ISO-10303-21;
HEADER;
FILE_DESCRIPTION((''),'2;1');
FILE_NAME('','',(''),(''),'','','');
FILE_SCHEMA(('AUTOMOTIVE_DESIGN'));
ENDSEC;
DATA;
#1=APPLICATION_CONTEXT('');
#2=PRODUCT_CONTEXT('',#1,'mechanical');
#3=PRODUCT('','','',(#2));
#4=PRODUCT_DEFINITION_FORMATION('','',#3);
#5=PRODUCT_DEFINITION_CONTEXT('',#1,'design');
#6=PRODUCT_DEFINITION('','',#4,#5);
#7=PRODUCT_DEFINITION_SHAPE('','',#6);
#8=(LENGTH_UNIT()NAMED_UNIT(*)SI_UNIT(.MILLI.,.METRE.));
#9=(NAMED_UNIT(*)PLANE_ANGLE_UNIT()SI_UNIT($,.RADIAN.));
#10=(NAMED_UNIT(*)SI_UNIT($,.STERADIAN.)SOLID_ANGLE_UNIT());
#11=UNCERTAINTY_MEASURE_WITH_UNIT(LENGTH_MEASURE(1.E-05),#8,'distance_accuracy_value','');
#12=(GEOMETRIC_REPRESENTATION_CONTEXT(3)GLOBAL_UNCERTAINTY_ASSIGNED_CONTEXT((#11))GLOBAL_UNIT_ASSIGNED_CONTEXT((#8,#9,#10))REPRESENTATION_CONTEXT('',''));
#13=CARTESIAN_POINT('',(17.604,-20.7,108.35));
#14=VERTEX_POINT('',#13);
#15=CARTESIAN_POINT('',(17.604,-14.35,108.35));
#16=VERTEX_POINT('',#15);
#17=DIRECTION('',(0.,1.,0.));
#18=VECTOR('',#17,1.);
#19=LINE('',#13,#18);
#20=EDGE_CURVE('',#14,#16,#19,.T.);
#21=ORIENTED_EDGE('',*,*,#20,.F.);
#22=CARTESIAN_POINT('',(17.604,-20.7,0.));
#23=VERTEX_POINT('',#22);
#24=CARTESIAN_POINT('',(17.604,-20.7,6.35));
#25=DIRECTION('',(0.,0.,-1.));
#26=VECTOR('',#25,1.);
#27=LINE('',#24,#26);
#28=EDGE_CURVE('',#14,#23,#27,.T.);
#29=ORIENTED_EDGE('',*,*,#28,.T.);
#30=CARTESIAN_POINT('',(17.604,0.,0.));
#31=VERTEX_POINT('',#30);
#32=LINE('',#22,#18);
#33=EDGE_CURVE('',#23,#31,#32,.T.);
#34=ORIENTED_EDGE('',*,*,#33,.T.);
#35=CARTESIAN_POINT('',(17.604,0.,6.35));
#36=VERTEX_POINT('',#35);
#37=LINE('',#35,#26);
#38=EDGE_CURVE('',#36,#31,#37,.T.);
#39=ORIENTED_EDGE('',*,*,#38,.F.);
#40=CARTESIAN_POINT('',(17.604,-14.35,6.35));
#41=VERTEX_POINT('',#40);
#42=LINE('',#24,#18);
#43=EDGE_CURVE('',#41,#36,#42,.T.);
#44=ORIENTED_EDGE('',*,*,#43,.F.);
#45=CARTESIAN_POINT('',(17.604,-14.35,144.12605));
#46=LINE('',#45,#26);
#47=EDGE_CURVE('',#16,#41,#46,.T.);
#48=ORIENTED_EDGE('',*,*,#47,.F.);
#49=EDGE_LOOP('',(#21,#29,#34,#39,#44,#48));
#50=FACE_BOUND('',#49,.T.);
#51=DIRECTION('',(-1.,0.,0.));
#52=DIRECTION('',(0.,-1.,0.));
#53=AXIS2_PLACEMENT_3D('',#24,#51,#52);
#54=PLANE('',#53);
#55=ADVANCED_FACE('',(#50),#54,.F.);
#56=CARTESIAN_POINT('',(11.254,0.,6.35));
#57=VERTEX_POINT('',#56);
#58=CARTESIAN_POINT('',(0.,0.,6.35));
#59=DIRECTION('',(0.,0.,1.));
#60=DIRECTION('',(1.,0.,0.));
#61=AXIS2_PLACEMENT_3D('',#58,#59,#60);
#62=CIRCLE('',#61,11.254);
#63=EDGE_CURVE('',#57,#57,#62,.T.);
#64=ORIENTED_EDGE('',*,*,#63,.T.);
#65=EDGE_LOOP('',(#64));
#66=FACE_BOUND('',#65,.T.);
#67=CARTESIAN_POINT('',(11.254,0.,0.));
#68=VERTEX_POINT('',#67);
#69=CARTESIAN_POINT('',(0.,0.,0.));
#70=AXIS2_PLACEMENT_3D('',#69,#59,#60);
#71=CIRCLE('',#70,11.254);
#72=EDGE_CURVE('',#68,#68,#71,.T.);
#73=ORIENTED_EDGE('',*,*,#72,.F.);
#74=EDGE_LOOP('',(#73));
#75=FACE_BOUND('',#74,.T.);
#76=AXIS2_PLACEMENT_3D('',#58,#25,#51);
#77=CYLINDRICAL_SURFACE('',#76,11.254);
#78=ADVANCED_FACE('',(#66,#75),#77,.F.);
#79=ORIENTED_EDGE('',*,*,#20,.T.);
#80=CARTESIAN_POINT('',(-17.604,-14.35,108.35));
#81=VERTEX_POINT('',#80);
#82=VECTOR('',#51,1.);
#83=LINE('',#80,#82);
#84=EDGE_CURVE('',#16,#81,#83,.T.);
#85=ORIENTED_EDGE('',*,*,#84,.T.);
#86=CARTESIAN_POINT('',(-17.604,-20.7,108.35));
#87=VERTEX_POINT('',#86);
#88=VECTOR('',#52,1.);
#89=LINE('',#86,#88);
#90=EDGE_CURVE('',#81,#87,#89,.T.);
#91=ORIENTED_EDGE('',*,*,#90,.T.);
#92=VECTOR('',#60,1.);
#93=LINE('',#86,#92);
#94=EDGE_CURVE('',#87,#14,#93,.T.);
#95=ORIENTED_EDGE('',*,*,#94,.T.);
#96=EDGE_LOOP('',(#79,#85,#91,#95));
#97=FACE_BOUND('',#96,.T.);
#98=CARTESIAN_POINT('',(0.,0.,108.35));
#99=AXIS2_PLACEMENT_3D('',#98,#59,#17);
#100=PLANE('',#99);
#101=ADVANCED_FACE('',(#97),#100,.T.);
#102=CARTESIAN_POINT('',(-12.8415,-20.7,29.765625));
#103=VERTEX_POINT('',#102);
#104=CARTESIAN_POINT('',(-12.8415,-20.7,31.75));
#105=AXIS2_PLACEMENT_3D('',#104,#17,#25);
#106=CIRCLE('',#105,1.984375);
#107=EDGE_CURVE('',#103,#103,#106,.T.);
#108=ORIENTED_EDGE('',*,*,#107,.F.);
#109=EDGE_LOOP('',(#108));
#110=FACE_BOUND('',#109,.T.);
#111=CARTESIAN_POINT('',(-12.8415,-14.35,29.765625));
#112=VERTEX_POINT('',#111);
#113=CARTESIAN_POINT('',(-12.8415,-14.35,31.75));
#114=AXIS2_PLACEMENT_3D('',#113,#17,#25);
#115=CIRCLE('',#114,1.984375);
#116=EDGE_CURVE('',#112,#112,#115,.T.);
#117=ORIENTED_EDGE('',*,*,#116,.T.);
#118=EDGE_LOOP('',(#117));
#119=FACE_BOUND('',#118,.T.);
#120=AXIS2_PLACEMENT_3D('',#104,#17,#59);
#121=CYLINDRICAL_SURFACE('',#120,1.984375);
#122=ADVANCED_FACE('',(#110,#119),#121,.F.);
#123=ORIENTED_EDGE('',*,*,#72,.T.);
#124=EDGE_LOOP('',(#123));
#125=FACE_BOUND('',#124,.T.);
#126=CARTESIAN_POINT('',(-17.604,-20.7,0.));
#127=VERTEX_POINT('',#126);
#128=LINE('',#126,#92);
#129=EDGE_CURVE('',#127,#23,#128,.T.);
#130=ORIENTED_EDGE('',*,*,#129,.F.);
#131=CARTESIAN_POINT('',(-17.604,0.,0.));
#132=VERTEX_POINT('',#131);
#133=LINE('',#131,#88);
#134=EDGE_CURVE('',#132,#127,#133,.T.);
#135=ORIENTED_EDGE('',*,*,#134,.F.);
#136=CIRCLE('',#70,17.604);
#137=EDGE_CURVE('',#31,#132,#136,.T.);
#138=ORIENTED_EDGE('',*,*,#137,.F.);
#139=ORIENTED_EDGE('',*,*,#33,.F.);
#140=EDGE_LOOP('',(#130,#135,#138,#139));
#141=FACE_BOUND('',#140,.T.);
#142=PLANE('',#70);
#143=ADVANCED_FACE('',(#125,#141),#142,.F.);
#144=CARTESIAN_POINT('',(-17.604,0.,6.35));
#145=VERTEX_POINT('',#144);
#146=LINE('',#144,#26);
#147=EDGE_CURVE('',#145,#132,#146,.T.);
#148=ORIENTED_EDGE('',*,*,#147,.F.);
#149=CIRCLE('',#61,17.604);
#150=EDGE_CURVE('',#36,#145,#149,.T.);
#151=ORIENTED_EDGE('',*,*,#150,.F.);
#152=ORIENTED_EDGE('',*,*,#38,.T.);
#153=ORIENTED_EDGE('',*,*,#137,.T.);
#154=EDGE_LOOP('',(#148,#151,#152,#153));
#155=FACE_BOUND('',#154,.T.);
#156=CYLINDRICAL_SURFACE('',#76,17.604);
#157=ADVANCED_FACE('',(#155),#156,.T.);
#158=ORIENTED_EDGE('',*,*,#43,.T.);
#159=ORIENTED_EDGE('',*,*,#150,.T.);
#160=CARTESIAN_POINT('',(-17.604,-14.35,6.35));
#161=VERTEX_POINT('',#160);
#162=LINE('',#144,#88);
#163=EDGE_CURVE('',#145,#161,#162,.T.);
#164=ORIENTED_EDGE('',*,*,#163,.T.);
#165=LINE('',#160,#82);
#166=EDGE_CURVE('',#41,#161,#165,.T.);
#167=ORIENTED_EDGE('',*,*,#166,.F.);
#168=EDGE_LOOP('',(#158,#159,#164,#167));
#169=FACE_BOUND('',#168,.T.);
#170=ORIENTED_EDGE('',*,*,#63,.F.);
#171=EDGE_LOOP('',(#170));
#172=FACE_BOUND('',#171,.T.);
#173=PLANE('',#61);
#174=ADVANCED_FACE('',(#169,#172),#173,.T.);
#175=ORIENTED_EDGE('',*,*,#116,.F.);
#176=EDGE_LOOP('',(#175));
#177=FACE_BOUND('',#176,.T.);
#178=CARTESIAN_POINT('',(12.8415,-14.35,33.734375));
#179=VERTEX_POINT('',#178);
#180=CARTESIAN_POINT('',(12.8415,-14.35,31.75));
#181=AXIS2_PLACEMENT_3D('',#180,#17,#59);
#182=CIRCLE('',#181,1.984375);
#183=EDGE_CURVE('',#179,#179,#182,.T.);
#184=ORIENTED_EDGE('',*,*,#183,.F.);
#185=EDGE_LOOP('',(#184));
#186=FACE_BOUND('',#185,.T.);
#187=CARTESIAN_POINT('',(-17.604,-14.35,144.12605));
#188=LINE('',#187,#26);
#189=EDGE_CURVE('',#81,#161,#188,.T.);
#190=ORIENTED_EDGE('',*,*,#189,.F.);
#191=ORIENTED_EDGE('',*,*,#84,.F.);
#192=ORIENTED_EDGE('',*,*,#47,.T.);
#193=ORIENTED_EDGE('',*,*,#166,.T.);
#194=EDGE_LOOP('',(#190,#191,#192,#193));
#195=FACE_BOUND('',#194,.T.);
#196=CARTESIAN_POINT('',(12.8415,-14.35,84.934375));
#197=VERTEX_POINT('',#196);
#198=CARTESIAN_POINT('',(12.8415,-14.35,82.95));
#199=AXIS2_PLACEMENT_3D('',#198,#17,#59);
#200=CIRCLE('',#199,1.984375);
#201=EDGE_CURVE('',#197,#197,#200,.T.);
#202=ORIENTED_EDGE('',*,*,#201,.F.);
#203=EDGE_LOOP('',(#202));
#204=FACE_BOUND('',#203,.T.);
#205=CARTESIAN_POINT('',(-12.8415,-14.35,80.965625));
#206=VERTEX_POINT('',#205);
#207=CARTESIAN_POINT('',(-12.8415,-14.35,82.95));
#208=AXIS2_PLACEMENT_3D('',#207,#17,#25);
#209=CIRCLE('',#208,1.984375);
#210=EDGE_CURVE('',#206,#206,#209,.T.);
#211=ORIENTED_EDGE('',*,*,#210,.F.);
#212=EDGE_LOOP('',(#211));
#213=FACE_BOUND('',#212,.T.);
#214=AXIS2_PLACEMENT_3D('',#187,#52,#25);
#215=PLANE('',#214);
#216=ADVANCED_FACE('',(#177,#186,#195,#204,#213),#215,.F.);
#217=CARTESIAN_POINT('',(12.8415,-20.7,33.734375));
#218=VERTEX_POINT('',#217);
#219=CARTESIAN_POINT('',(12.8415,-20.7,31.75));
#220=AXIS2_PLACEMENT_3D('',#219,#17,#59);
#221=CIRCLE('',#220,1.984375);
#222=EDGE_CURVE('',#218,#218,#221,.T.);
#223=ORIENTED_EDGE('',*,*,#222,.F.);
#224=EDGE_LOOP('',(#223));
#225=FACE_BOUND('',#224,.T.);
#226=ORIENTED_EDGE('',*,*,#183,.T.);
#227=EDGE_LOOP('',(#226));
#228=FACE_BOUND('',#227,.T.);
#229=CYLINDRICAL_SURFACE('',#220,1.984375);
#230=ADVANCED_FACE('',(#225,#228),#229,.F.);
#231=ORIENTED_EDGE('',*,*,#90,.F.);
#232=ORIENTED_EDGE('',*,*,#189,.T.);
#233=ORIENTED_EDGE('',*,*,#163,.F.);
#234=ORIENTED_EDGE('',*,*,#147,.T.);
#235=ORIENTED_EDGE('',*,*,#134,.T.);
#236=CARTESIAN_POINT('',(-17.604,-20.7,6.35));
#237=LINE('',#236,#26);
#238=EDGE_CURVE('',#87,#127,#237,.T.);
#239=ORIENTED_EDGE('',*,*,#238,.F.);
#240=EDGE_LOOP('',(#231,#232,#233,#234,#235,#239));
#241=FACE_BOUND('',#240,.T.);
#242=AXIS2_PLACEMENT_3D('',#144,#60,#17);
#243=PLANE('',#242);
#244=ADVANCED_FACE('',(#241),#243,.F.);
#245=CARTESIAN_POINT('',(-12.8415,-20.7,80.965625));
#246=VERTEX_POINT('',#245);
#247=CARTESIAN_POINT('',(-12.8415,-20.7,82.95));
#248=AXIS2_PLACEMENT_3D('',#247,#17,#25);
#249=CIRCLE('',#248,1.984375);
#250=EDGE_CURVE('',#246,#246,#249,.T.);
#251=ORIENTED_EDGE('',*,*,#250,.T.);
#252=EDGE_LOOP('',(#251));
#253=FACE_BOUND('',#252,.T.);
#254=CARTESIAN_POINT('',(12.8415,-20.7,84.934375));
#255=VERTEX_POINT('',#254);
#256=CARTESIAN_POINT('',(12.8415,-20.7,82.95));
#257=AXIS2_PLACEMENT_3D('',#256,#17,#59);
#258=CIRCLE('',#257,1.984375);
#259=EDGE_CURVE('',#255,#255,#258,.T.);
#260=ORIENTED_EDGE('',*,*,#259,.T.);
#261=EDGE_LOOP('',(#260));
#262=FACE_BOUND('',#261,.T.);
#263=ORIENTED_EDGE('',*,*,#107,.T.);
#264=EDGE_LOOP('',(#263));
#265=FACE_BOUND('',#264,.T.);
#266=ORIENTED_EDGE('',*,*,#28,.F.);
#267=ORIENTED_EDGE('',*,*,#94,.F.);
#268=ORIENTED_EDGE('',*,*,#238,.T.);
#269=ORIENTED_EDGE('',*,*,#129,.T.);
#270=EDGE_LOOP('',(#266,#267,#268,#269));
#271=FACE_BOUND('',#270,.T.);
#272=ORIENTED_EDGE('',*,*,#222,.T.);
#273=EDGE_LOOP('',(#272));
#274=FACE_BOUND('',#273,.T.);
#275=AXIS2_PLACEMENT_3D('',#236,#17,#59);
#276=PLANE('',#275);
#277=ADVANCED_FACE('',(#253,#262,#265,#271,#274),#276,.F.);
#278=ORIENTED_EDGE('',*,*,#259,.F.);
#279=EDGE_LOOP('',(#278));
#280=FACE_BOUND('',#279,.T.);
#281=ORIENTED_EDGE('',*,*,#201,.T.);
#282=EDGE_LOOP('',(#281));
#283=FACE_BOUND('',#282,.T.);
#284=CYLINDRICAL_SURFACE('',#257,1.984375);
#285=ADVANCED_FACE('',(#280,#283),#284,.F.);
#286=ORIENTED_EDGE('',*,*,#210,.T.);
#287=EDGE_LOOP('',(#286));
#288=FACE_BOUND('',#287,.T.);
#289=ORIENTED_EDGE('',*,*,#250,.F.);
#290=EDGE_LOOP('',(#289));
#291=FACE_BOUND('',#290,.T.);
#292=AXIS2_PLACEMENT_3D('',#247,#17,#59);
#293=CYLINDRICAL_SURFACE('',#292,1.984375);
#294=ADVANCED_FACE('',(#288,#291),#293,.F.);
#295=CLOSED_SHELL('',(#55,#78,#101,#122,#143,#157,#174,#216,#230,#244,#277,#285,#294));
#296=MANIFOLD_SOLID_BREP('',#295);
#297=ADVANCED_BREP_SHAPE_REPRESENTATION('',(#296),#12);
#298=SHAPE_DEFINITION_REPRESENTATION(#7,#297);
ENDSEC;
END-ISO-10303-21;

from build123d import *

# Parameters (mm, degrees)
SKETCH1_R           = 11.254
BOSS_EXTRUDE1_DEPTH = 6.35
SKETCH2_W           = 35.208
SKETCH2_H           = 6.35
BOSS_EXTRUDE2_DEPTH = 102
SKETCH3_R           = 1.984375
CUT_EXTRUDE1_DEPTH  = 115.327080921


with BuildPart() as part:
    # Sketch1 → Boss-Extrude1 (new body)
    with BuildSketch(Plane.XY):
        with BuildLine():
            Line((-17.604, 0), (-17.604, -20.7))
            Line((-17.604, -20.7), (17.604, -20.7))
            Line((17.604, -20.7), (17.604, 0))
            ThreePointArc((17.604, 0), (0, 17.604), (-17.604, 0))
        make_face()
        Circle(SKETCH1_R, mode=Mode.SUBTRACT)
    extrude(amount=BOSS_EXTRUDE1_DEPTH)

    # Sketch2 → Boss-Extrude2 (add)
    with BuildSketch(Plane.XY.offset(6.35)):
        with Locations((0, -17.525)):
            Rectangle(SKETCH2_W, SKETCH2_H)
    extrude(amount=BOSS_EXTRUDE2_DEPTH)

    # Sketch3 → Cut-Extrude1 (cut, through all)
    with BuildSketch(Plane(origin=(0, -14.35, 0), x_dir=(1, 0, 0), z_dir=(0, 1, 0))):
        with Locations(Location((12.8415, -31.75, 0), (0, 0, 270))):
            Circle(SKETCH3_R)
        with Locations(Location((12.8415, -82.95, 0), (0, 0, 270))):
            Circle(SKETCH3_R)
        with Locations(Location((-12.8415, -82.95, 0), (0, 0, 90))):
            Circle(SKETCH3_R)
        with Locations(Location((-12.8415, -31.75, 0), (0, 0, 90))):
            Circle(SKETCH3_R)
    extrude(amount=-CUT_EXTRUDE1_DEPTH, mode=Mode.SUBTRACT)


solid = part.part
